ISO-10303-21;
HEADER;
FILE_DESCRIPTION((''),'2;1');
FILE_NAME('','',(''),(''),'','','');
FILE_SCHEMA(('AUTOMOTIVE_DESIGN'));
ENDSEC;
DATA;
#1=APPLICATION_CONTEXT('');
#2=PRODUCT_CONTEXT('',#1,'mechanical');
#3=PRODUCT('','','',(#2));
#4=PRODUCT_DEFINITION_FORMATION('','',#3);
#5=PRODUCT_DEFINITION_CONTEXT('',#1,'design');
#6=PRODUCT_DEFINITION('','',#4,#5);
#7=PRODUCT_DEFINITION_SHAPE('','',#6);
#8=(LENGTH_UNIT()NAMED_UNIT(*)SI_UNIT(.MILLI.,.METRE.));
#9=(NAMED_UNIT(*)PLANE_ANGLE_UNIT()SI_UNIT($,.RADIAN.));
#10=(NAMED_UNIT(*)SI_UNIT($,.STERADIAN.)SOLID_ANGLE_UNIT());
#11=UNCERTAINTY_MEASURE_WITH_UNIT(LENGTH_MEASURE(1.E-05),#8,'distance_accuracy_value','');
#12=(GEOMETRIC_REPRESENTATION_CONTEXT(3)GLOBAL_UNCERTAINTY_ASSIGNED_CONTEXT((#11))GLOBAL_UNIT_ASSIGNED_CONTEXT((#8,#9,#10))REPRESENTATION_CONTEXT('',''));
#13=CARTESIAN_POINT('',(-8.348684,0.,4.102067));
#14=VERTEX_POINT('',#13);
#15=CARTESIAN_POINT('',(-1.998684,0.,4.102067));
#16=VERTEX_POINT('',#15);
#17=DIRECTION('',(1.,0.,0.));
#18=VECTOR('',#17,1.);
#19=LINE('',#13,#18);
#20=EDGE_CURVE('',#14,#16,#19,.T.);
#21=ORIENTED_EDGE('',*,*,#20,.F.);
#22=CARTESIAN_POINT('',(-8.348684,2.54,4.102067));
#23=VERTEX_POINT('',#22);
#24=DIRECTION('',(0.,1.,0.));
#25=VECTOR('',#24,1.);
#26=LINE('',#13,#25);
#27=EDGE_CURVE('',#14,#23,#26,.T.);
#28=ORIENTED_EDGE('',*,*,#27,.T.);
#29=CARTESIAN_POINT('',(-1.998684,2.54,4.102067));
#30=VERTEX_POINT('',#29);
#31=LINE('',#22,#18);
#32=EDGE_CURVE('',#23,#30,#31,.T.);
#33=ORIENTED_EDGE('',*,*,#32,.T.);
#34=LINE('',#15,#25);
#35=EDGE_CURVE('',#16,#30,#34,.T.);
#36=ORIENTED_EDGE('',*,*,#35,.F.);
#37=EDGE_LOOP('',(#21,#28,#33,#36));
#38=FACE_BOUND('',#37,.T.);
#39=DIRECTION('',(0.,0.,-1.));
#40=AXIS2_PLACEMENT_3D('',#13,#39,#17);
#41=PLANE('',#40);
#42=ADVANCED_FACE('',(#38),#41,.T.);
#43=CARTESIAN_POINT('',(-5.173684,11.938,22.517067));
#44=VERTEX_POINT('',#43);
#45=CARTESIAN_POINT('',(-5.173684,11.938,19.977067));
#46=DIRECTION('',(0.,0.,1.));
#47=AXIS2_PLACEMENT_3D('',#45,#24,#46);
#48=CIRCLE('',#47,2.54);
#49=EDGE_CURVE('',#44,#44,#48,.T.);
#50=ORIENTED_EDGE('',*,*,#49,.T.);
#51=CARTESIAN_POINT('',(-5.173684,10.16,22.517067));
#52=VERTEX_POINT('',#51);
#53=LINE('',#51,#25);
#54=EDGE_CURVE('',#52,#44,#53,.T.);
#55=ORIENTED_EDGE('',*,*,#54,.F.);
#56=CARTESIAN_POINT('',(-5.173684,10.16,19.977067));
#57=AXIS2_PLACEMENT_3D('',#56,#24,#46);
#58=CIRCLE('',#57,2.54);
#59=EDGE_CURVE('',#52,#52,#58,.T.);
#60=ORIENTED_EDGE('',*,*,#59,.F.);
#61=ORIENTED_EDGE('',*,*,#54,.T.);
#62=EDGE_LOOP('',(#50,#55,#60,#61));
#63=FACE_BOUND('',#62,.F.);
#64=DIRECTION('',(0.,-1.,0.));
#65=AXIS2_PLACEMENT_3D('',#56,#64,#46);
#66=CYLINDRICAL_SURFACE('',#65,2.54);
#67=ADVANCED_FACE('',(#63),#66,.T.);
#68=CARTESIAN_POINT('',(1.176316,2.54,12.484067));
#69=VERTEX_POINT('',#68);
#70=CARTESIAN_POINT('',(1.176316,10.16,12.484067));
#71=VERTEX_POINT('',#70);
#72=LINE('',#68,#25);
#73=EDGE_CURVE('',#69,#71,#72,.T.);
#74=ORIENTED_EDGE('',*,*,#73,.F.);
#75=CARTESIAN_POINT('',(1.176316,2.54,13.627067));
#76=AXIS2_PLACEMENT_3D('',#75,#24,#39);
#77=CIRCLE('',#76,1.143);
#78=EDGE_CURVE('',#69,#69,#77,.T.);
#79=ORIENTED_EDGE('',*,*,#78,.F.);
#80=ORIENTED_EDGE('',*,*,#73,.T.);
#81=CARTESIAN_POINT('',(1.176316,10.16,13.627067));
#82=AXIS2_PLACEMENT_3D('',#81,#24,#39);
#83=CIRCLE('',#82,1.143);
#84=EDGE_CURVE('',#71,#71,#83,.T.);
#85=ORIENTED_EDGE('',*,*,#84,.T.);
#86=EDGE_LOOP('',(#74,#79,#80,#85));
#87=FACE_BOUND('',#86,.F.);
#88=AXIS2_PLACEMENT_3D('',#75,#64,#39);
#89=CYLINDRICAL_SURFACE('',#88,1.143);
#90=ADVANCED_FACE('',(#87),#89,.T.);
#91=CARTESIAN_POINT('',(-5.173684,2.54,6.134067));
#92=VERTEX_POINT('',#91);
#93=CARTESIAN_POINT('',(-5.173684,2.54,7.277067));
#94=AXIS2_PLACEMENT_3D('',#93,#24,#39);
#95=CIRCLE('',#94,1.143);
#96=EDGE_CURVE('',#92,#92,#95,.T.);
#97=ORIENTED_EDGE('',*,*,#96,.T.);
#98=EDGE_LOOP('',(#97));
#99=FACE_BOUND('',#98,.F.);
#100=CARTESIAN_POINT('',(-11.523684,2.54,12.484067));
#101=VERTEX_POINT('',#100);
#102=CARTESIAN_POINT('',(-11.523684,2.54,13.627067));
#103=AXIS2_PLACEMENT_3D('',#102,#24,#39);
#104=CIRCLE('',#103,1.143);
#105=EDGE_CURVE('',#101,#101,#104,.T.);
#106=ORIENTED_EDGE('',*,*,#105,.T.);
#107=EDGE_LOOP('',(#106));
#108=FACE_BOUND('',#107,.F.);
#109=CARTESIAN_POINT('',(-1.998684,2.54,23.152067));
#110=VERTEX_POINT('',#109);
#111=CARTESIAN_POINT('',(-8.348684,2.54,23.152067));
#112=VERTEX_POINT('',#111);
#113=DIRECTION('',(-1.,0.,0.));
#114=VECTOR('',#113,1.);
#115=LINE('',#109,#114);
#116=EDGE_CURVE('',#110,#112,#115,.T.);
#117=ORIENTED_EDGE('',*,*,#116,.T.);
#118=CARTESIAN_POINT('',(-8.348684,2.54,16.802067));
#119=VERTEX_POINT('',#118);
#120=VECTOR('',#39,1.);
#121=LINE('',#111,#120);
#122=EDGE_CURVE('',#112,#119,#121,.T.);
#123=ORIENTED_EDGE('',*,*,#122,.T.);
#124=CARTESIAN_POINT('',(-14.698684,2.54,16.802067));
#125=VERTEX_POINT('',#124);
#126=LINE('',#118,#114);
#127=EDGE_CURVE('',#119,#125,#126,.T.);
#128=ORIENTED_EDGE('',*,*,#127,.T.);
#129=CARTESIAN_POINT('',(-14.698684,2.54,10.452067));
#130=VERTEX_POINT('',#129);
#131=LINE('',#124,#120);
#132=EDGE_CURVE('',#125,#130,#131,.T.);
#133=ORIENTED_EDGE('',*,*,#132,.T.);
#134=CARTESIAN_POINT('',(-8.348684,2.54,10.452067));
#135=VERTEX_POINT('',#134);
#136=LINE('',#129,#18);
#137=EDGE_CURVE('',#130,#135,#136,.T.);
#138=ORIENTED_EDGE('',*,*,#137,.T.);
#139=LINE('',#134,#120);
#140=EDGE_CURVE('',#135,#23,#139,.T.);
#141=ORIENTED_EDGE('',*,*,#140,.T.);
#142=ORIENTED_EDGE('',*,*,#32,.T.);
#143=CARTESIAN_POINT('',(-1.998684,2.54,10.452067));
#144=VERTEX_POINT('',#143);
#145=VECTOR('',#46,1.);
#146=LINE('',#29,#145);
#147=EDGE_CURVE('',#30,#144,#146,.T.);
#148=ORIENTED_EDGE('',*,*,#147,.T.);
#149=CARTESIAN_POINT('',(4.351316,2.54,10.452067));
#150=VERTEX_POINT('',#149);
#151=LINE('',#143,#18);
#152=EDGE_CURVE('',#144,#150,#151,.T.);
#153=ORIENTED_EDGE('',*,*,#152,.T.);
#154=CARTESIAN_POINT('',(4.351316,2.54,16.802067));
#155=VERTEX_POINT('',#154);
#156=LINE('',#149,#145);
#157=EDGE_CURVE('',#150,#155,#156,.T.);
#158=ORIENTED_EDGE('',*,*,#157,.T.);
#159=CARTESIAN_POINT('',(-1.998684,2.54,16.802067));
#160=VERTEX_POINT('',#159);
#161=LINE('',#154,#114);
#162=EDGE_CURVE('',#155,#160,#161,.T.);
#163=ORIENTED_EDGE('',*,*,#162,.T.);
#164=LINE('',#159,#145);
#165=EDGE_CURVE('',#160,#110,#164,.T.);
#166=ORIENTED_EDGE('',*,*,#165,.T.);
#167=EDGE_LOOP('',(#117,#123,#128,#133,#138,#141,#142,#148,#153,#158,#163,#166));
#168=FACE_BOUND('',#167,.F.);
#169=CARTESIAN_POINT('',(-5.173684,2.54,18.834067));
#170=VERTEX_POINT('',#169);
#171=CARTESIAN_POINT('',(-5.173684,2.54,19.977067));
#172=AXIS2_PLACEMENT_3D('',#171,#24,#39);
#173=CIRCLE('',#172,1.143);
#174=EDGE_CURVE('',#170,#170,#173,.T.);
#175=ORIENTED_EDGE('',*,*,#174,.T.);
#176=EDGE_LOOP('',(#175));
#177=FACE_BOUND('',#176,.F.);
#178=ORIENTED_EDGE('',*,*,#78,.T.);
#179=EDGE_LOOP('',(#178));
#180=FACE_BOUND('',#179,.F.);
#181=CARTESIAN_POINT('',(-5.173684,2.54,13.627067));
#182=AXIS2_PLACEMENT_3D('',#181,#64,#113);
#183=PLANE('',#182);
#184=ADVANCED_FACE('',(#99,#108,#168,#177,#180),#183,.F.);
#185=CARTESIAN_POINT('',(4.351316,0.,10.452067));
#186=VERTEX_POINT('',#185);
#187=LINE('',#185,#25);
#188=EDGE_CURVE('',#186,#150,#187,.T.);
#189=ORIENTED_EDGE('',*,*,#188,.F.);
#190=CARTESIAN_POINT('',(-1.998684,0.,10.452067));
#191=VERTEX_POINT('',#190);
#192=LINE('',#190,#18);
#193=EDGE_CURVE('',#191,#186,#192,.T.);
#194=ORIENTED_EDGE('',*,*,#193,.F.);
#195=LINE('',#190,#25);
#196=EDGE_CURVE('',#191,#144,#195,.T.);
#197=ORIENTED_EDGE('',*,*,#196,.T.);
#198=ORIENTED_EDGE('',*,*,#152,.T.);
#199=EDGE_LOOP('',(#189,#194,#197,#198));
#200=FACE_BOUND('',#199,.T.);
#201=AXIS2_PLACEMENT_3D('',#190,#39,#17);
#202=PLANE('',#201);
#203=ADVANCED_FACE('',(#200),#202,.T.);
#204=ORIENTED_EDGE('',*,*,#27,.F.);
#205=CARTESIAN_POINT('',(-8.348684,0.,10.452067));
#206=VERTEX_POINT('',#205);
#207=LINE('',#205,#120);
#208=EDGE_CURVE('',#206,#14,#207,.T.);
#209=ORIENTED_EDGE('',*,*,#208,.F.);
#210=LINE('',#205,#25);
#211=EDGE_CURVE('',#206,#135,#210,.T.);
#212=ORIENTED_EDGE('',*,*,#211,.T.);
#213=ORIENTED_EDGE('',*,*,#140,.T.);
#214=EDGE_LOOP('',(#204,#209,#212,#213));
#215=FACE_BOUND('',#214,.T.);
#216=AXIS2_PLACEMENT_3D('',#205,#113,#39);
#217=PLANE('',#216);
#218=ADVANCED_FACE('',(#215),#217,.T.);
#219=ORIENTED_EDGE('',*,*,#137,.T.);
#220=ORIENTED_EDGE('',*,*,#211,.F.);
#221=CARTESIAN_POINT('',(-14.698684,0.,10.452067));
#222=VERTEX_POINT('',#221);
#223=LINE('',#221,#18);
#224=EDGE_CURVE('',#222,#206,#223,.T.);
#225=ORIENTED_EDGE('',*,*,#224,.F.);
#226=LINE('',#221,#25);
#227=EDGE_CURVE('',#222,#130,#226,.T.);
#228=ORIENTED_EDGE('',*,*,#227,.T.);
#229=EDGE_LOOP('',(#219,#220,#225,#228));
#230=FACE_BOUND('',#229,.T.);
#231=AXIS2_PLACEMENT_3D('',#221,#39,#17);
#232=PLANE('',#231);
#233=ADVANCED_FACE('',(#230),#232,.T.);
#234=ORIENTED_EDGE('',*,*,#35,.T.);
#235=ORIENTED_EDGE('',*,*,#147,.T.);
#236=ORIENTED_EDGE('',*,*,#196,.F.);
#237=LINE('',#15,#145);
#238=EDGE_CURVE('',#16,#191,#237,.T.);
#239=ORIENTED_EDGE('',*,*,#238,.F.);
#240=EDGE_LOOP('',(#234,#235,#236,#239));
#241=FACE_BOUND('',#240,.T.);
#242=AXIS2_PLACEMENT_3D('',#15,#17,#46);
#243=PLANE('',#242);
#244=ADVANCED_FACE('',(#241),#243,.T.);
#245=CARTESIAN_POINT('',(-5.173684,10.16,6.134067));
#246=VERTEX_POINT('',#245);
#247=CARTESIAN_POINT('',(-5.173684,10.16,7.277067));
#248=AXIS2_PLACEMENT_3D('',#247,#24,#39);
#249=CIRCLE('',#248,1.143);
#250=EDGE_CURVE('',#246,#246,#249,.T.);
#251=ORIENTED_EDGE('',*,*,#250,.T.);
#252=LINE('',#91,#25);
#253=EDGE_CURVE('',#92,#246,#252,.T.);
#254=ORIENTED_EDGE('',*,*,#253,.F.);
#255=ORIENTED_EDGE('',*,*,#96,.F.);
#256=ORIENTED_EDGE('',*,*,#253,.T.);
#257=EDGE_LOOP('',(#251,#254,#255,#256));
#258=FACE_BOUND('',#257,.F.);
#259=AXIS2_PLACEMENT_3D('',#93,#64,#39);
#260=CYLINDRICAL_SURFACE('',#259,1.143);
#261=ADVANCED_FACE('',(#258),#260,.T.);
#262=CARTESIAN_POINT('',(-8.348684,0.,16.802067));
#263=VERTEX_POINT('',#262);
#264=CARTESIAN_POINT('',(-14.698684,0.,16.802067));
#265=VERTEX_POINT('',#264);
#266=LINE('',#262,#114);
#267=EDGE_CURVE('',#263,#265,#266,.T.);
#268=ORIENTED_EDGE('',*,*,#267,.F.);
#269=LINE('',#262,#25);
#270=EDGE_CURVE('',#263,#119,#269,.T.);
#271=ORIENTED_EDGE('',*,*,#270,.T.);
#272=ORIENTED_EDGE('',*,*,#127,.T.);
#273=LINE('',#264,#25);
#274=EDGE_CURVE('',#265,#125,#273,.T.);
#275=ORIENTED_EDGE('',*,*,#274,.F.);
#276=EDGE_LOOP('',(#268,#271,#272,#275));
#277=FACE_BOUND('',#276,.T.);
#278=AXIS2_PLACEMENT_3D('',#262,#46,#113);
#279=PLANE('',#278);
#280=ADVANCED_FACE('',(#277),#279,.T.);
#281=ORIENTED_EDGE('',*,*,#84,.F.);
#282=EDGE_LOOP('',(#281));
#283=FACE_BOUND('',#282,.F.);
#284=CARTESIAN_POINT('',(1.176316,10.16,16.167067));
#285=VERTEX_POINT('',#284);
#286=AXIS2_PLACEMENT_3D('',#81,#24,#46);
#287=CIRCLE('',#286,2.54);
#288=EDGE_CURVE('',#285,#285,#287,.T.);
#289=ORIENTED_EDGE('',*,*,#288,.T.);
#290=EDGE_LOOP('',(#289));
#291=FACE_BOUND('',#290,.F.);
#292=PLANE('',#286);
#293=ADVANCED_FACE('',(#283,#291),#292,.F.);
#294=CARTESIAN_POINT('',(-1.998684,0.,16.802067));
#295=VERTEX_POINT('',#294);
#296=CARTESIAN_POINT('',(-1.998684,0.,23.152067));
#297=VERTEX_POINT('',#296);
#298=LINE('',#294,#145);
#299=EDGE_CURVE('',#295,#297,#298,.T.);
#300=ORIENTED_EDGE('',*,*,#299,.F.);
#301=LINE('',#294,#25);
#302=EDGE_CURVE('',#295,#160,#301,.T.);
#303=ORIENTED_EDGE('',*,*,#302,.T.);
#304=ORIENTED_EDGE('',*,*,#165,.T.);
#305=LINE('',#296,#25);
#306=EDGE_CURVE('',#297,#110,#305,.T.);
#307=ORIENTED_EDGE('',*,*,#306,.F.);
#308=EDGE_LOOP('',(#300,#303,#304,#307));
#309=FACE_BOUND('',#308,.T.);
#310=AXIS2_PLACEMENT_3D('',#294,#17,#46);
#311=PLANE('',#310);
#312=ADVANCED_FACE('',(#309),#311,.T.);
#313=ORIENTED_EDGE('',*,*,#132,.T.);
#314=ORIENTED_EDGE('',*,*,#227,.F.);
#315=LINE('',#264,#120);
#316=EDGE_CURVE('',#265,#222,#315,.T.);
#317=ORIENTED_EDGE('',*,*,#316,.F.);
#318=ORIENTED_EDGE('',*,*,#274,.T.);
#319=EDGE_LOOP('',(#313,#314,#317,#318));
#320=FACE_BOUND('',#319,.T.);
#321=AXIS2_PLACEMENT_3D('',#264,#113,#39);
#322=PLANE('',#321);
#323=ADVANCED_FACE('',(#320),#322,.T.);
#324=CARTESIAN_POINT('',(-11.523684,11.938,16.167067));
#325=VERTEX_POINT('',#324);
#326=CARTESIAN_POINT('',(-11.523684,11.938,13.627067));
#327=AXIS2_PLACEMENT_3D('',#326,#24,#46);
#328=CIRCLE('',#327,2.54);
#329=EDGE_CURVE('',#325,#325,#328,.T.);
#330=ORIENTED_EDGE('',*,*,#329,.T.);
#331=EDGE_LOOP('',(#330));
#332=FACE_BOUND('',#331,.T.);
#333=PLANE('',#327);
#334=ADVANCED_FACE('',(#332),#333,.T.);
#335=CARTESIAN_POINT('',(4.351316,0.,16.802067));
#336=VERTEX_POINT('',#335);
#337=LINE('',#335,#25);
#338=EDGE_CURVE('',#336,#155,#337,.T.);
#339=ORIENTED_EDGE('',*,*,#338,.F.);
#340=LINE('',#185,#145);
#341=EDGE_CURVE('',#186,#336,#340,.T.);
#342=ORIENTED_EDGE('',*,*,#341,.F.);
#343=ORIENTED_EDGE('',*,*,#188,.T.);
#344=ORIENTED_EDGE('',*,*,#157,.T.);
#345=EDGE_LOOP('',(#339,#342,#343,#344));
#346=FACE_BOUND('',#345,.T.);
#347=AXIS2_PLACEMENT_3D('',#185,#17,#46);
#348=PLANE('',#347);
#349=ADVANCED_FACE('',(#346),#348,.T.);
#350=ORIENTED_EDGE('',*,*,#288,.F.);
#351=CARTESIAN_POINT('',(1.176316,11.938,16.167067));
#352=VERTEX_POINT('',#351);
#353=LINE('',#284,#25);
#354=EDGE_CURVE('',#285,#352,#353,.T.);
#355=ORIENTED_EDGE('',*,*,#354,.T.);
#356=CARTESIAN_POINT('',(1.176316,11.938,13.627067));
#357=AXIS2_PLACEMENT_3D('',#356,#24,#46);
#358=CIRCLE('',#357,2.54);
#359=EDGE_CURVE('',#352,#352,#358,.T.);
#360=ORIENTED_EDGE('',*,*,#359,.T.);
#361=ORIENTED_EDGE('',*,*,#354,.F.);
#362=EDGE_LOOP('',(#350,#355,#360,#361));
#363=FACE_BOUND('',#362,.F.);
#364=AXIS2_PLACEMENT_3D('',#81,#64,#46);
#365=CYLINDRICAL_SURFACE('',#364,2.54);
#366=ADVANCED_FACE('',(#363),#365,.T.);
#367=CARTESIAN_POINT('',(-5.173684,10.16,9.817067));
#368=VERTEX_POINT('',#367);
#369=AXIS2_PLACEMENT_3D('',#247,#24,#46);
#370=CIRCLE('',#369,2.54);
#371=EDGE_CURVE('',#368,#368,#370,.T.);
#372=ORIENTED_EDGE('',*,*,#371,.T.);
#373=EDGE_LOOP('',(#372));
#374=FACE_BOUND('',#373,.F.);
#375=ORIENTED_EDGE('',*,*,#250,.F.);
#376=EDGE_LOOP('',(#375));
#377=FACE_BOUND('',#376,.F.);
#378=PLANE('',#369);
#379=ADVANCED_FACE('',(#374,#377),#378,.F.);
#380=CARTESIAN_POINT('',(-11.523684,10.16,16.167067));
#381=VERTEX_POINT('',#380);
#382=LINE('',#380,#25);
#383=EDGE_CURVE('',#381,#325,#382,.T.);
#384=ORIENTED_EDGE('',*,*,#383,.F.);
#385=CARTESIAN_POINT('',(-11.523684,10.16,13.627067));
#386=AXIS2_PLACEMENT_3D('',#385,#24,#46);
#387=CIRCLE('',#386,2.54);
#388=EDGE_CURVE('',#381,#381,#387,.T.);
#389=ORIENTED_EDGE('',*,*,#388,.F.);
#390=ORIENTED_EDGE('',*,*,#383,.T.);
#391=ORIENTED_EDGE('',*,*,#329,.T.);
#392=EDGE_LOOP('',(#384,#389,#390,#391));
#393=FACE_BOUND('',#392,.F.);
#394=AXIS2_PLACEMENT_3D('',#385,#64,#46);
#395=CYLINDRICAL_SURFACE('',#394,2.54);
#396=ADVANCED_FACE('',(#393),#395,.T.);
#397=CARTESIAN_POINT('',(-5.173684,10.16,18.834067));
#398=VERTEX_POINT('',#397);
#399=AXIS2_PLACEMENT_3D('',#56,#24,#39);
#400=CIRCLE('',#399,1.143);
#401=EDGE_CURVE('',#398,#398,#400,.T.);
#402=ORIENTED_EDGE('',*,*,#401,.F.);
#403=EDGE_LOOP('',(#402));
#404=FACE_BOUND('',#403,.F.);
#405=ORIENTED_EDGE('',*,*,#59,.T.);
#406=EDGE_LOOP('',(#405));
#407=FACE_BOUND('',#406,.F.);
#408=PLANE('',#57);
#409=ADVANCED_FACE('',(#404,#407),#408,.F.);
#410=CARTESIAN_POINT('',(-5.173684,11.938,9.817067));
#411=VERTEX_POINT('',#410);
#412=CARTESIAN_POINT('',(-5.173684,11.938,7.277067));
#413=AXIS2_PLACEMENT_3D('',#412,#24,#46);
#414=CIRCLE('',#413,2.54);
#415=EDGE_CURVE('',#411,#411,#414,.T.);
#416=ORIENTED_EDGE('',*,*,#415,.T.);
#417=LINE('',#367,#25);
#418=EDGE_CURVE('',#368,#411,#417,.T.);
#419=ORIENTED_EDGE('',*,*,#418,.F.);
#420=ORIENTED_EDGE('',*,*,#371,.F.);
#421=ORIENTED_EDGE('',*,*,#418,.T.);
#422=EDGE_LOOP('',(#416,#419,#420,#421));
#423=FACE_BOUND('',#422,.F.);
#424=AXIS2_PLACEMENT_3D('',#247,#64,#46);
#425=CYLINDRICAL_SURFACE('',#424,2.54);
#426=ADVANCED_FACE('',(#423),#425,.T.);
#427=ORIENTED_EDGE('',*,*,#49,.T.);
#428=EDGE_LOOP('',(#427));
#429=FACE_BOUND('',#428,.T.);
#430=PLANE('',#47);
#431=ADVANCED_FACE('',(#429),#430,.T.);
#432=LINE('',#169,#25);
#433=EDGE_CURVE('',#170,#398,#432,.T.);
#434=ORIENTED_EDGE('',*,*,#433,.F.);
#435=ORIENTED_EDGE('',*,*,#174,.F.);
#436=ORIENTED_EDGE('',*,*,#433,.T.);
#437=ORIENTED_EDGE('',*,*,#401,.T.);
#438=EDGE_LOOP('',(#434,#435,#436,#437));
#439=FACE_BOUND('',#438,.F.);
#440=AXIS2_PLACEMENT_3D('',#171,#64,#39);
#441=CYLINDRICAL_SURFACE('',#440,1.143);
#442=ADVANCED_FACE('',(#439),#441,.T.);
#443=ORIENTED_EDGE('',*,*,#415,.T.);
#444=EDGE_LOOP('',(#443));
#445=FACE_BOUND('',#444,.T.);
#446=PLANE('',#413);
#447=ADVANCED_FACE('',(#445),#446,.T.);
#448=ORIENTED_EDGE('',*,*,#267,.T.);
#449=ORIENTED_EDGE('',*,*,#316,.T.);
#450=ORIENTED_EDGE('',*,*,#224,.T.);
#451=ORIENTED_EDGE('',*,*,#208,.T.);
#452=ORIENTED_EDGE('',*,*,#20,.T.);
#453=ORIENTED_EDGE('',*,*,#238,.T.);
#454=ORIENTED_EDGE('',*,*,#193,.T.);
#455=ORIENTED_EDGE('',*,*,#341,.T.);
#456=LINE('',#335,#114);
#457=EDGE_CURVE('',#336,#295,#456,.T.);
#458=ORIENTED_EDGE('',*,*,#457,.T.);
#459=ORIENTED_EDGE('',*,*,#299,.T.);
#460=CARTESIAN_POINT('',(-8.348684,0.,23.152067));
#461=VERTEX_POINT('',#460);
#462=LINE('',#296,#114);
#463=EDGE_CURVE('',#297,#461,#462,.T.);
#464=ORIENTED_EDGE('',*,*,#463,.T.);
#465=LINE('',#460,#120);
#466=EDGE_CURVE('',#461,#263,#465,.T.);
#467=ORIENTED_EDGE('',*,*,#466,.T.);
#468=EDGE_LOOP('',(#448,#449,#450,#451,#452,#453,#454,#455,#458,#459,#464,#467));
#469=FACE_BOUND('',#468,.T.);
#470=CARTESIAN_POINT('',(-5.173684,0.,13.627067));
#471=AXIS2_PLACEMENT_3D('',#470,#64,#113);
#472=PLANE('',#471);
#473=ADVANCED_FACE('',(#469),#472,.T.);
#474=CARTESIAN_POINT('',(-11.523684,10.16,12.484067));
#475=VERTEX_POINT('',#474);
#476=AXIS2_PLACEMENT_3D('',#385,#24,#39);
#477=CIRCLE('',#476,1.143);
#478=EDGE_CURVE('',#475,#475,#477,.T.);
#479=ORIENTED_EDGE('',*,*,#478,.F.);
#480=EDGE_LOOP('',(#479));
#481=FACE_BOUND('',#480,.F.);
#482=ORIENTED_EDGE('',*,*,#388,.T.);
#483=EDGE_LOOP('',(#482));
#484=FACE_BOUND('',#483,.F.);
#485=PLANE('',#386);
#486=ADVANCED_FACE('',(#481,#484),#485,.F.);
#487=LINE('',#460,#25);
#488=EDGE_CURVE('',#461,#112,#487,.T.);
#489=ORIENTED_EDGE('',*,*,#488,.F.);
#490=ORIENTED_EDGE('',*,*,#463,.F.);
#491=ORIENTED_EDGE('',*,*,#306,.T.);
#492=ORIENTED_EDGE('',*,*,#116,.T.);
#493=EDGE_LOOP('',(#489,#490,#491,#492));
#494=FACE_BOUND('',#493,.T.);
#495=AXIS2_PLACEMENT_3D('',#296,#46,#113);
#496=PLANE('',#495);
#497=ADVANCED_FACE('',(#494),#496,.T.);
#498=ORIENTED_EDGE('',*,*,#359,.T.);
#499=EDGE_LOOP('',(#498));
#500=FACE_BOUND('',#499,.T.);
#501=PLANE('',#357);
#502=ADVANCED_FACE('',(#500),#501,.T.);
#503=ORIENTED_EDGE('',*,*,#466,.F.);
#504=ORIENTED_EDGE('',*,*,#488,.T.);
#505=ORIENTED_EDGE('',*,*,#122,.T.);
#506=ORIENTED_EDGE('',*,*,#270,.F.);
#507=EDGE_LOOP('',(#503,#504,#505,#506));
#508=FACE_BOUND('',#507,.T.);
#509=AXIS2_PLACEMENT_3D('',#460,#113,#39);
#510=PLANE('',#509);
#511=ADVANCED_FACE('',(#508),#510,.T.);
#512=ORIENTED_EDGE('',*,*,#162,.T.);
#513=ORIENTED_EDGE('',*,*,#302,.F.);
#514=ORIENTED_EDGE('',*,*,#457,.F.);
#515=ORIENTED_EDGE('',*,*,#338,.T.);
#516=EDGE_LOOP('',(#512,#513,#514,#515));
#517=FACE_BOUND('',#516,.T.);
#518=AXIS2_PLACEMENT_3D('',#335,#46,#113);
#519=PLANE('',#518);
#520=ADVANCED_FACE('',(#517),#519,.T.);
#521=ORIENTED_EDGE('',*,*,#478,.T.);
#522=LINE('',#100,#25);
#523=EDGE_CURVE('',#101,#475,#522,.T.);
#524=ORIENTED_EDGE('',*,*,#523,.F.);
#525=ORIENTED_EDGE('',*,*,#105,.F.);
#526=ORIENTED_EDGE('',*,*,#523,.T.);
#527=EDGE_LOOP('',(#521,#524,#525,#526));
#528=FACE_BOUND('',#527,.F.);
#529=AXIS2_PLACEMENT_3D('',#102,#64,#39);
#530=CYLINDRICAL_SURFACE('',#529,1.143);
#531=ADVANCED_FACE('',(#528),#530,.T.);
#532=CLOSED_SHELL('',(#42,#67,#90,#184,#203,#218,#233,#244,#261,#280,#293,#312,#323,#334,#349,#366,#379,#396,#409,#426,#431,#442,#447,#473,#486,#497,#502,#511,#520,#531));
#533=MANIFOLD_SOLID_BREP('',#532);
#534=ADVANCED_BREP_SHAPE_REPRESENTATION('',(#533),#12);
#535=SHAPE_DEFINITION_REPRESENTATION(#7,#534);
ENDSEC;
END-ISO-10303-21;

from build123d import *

# Parameters (mm, degrees)
BODY_DEPTH = 2.54
SKETCH2_R  = 1.143
FLAG_DEPTH = 7.62
SKETCH3_R  = 2.54
FEET_DEPTH = 1.778


with BuildPart() as part:
    # Sketch1 → body (new body)
    with BuildSketch(Plane(origin=(0, 0, 0), x_dir=(1, 0, 0), z_dir=(0, 1, 0))):
        Polygon((-8.348684361, -10.452067183), (-8.348684361, -4.102067183), (-1.998684361, -4.102067183), (-1.998684361, -10.452067183), (4.351315639, -10.452067183), (4.351315639, -16.802067183), (-1.998684361, -16.802067183), (-1.998684361, -23.152067183), (-8.348684361, -23.152067183), (-8.348684361, -16.802067183), (-14.698684361, -16.802067183), (-14.698684361, -10.452067183), align=None)
    extrude(amount=BODY_DEPTH)

    # Sketch2 → flag (add)
    with BuildSketch(Plane(origin=(0, 2.54, 0), x_dir=(1, 0, 0), z_dir=(0, 1, 0))):
        with Locations(Location((-5.173684361, -7.277067183, 0), (0, 0, 90))):
            Circle(SKETCH2_R)
        with Locations(Location((1.176315639, -13.627067183, 0), (0, 0, 90))):
            Circle(SKETCH2_R)
        with Locations(Location((-5.173684361, -19.977067183, 0), (0, 0, 90))):
            Circle(SKETCH2_R)
        with Locations(Location((-11.523684361, -13.627067183, 0), (0, 0, 90))):
            Circle(SKETCH2_R)
    extrude(amount=FLAG_DEPTH)

    # Sketch3 → feet (add)
    with BuildSketch(Plane(origin=(0, 10.16, 0), x_dir=(1, 0, 0), z_dir=(0, 1, 0))):
        with Locations(Location((-5.173684361, -7.277067183, 0), (0, 0, 270))):
            Circle(SKETCH3_R)
        with Locations(Location((-11.523684361, -13.627067183, 0), (0, 0, 270))):
            Circle(SKETCH3_R)
        with Locations(Location((-5.173684361, -19.977067183, 0), (0, 0, 270))):
            Circle(SKETCH3_R)
        with Locations(Location((1.176315639, -13.627067183, 0), (0, 0, 270))):
            Circle(SKETCH3_R)
    extrude(amount=FEET_DEPTH)


solid = part.part
